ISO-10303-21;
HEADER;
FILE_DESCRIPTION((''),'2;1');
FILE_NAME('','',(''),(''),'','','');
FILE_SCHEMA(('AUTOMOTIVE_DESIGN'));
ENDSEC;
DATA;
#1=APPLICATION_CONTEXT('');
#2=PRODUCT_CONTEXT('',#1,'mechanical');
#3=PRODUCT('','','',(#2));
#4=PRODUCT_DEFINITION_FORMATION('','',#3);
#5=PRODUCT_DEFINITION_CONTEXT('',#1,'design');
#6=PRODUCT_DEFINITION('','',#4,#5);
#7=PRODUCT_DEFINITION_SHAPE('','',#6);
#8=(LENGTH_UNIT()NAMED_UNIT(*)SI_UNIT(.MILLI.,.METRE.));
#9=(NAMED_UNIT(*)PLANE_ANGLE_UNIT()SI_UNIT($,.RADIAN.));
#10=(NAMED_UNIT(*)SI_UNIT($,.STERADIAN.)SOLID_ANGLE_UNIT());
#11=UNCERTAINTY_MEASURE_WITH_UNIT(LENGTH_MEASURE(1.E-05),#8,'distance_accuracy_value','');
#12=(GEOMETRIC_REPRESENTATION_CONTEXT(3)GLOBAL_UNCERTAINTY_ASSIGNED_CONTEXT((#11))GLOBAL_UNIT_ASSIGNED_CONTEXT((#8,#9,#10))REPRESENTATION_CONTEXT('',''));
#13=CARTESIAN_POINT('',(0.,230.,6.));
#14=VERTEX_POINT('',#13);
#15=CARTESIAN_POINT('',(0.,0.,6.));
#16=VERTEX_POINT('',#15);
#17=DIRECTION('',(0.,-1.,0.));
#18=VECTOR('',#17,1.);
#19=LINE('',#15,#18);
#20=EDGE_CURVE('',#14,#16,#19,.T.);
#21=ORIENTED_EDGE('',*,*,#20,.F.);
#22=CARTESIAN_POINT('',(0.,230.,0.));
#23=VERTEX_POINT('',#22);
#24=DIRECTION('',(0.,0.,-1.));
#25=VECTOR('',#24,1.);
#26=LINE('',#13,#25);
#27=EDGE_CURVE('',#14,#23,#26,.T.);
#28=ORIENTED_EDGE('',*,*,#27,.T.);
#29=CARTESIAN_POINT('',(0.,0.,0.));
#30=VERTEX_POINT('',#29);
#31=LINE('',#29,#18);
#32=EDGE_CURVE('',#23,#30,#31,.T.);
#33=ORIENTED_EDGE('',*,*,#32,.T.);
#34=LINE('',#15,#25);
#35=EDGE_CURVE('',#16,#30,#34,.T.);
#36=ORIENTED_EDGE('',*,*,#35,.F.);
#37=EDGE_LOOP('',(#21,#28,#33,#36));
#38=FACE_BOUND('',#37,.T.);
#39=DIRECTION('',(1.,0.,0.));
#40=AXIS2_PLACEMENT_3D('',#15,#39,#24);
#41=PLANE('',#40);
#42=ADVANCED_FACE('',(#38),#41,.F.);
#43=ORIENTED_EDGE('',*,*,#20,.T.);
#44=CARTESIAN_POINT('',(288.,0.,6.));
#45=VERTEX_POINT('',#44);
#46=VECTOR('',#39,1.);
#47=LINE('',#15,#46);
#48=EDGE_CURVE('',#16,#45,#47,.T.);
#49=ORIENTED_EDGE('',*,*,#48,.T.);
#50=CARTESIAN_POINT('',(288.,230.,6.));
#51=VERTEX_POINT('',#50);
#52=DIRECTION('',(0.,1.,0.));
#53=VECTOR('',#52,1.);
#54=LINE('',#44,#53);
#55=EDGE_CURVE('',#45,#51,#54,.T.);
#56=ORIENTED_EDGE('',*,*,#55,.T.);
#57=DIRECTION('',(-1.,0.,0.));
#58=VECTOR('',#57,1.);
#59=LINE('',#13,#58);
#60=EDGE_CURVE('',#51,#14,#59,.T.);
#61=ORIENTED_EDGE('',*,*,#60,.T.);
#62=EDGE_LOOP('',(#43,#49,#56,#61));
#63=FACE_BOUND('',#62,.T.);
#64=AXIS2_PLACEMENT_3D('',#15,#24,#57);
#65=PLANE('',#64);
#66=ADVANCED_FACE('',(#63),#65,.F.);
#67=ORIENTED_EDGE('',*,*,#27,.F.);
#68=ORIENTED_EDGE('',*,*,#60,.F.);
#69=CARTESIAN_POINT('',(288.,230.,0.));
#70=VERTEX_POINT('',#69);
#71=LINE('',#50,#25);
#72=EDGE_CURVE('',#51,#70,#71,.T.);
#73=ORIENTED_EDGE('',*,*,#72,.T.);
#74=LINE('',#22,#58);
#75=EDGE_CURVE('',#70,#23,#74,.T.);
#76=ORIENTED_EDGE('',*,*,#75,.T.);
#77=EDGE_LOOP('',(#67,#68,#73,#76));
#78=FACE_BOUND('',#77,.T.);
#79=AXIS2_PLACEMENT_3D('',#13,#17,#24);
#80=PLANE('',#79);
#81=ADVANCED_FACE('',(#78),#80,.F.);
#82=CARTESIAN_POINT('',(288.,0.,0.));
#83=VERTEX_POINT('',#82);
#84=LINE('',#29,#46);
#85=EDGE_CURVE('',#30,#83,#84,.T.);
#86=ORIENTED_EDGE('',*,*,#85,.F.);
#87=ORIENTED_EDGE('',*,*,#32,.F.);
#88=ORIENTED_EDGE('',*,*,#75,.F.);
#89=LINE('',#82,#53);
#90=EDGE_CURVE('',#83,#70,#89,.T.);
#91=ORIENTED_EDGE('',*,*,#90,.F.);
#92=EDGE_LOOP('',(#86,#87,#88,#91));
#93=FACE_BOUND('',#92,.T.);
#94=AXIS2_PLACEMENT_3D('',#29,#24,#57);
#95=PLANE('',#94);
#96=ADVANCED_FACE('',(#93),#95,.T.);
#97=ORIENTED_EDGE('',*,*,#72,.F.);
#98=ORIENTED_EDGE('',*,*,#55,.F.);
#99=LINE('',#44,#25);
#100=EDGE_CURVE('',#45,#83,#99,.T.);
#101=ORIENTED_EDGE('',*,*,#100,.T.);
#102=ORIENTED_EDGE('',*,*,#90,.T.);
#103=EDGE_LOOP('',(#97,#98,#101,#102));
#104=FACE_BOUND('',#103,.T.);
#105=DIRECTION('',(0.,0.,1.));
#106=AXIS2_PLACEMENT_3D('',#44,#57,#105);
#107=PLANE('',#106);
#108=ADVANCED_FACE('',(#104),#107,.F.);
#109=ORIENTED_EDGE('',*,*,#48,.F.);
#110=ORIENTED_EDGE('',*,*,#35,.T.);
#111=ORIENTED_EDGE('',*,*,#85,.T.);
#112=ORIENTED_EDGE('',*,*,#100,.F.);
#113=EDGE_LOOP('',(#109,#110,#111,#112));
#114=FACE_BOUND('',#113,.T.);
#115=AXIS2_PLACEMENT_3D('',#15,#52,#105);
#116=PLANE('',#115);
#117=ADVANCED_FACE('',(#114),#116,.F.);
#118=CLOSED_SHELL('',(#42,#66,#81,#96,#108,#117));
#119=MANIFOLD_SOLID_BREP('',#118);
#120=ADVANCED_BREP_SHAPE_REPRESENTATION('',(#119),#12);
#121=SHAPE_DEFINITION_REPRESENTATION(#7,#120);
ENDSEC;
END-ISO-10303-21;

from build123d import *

# Parameters (mm, degrees)
SKETCH1_W           = 288
SKETCH1_H           = 230
BOSS_EXTRUDE1_DEPTH = 6


with BuildPart() as part:
    # Sketch1 → Boss-Extrude1 (new body)
    with BuildSketch(Plane.XY):
        with Locations((144, 115)):
            Rectangle(SKETCH1_W, SKETCH1_H)
    extrude(amount=BOSS_EXTRUDE1_DEPTH)


solid = part.part
